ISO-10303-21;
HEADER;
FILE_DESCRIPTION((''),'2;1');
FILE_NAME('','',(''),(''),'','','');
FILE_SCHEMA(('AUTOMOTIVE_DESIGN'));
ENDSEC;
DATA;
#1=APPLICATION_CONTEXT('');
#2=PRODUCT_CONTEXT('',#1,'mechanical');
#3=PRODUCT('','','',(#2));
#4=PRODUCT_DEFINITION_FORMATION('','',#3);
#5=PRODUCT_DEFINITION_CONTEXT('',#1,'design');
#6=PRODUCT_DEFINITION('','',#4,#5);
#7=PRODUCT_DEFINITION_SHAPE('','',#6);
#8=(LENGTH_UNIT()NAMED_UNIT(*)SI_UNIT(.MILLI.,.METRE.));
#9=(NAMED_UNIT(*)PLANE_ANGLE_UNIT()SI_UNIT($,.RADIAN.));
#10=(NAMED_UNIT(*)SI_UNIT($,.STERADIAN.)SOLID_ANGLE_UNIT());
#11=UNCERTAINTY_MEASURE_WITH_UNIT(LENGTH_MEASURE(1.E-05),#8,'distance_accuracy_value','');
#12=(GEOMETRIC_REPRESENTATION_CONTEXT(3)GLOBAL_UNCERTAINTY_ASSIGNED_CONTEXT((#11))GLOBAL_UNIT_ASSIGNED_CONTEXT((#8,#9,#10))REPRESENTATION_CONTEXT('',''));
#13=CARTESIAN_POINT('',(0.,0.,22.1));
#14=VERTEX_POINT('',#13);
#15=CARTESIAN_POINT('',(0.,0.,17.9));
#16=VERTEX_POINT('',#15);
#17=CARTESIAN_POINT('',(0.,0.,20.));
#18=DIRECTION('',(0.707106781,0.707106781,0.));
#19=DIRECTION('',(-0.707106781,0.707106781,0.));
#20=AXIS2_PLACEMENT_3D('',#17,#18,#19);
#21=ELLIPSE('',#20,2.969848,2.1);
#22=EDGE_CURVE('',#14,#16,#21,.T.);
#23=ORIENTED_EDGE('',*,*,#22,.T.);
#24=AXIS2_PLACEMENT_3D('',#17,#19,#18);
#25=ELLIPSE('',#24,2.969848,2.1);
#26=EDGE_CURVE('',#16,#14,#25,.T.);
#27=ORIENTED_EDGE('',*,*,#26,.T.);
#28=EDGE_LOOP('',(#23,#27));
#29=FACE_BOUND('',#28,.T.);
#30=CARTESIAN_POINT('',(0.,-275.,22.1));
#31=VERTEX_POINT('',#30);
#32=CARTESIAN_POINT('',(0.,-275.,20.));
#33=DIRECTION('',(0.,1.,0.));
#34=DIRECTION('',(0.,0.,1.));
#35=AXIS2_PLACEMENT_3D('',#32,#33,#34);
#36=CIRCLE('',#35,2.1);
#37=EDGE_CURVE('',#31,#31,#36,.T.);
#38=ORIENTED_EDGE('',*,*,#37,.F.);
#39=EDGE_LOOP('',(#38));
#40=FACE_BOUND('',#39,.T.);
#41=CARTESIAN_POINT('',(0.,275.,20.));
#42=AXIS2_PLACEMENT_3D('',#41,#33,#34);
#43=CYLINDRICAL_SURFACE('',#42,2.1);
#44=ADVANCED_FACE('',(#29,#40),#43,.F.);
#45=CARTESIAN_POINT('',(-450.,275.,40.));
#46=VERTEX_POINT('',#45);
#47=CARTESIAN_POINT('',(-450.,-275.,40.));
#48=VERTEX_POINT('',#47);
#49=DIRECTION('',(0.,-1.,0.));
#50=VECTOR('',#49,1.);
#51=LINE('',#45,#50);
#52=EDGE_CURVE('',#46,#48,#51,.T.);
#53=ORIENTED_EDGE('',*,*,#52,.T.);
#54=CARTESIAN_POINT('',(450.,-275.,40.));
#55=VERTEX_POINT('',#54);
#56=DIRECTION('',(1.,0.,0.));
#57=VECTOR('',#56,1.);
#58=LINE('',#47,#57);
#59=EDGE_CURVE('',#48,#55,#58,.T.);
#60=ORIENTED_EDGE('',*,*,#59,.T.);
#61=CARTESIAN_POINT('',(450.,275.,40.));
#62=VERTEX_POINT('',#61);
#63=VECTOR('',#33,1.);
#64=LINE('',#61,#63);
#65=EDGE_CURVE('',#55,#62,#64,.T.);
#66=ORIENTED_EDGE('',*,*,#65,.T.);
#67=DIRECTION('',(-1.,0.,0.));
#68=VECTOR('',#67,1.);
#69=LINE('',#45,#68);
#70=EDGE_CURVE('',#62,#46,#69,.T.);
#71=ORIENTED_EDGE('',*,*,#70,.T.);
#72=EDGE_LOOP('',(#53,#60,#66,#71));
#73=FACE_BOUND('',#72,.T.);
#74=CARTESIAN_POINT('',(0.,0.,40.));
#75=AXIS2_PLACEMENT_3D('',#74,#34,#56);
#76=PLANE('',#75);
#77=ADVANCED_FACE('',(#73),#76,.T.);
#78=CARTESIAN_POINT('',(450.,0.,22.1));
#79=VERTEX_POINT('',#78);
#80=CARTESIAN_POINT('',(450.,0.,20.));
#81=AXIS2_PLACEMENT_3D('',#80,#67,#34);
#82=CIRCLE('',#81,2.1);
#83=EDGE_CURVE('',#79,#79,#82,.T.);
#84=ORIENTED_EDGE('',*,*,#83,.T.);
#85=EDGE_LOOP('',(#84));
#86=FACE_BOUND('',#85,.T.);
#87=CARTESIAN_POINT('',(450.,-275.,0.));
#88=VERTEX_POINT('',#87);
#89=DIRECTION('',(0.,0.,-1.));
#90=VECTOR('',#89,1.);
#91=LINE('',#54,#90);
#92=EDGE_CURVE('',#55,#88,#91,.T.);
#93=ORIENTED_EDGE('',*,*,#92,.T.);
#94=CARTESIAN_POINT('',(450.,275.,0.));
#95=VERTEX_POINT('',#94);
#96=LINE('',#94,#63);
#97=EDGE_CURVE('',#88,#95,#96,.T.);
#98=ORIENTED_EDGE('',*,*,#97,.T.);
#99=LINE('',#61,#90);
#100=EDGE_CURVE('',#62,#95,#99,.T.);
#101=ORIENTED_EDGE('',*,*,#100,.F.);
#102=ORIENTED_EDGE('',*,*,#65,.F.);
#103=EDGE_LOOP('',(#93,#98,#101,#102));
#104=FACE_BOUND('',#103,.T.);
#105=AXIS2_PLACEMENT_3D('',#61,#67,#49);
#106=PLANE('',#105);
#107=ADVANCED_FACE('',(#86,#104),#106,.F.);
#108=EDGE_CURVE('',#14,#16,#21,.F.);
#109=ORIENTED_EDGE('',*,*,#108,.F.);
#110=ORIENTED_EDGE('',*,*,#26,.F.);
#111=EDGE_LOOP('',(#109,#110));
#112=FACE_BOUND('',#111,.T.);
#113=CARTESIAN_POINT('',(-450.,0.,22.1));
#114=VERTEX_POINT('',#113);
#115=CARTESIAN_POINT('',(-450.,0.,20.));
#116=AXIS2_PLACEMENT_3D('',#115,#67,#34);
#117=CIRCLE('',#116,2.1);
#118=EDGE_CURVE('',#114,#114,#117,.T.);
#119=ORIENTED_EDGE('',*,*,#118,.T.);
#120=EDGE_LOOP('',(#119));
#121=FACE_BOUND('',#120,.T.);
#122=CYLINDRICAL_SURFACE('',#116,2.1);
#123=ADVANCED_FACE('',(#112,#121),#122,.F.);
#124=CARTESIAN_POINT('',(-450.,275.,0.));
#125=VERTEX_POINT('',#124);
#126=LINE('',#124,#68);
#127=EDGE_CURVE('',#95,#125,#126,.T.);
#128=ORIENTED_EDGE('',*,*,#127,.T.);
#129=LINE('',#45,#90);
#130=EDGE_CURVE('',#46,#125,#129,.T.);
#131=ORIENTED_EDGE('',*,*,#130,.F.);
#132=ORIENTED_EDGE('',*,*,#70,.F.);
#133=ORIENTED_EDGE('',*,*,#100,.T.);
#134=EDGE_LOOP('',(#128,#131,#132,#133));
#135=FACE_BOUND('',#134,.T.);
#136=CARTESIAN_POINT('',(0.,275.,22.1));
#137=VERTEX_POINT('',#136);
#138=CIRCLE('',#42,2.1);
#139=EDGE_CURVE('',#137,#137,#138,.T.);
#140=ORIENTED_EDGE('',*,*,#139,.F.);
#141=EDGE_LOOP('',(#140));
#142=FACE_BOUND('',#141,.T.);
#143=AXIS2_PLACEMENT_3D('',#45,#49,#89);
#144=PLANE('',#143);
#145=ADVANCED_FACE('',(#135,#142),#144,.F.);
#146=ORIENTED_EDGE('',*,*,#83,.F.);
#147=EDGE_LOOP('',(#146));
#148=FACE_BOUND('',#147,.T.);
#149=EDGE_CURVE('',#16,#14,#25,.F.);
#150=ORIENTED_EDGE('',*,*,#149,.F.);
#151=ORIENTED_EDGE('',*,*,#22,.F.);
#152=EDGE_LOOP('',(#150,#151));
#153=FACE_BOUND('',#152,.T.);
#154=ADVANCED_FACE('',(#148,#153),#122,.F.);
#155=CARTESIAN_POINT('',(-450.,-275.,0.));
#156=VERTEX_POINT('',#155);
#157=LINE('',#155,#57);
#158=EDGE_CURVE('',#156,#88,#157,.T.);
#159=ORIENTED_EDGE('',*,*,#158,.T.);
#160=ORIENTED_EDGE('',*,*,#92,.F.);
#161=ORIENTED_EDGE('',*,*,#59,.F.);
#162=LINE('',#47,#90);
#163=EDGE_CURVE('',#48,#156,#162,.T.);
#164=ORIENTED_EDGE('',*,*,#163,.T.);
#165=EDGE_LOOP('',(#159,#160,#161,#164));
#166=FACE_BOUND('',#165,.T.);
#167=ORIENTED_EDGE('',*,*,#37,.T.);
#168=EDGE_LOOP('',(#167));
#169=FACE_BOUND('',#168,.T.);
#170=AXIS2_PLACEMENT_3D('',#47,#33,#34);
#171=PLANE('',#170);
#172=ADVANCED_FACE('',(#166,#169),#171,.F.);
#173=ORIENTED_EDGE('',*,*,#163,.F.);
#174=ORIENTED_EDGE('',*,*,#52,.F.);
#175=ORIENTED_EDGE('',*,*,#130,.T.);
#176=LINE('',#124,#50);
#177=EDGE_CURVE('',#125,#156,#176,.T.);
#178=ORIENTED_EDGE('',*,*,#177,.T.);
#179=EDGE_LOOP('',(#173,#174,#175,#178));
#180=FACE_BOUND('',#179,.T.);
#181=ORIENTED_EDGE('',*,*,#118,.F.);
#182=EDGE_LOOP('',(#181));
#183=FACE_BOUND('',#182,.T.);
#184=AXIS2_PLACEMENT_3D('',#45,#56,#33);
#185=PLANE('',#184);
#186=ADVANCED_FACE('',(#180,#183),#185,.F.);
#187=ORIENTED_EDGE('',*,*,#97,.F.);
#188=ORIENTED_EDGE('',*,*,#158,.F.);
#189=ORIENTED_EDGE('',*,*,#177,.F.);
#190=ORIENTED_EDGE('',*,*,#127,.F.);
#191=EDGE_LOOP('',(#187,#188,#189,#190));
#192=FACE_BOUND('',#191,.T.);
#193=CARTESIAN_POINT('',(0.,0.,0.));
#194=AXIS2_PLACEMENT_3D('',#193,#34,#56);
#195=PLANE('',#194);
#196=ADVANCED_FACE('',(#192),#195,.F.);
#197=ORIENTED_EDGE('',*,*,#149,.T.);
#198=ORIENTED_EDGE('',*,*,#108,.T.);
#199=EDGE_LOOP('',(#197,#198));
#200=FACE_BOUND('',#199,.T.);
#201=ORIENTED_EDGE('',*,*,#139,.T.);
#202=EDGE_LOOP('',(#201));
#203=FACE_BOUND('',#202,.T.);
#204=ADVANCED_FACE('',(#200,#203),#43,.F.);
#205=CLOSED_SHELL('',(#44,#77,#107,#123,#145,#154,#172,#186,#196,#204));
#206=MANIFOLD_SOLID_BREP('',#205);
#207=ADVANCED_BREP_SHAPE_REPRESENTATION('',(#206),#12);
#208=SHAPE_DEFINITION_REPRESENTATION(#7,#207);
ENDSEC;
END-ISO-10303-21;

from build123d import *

# Parameters (mm, degrees)
SKETCH_1_W         = 900
SKETCH_1_H         = 550
EXTRUDE_1_DEPTH    = 40
HOLE_WIZARD_M5_1_D = 4.2
HOLE_WIZARD_M5_2_D = 4.2


with BuildPart() as part:
    # 草图1 → 凸台-拉伸1 (new body)
    with BuildSketch(Plane.XY):
        Rectangle(SKETCH_1_W, SKETCH_1_H)
    extrude(amount=EXTRUDE_1_DEPTH)

    # M5 螺纹孔1 (through all)
    with Locations(Plane(origin=(0, 275, 0), x_dir=(1, 0, 0), z_dir=(0, 1, 0))):
        with Locations((0, -20)):
            Hole(HOLE_WIZARD_M5_1_D / 2)

    # M5 螺纹孔2 (through all)
    with Locations(Plane.ZY.offset(450)):
        with Locations((20, 0)):
            Hole(HOLE_WIZARD_M5_2_D / 2)


solid = part.part
